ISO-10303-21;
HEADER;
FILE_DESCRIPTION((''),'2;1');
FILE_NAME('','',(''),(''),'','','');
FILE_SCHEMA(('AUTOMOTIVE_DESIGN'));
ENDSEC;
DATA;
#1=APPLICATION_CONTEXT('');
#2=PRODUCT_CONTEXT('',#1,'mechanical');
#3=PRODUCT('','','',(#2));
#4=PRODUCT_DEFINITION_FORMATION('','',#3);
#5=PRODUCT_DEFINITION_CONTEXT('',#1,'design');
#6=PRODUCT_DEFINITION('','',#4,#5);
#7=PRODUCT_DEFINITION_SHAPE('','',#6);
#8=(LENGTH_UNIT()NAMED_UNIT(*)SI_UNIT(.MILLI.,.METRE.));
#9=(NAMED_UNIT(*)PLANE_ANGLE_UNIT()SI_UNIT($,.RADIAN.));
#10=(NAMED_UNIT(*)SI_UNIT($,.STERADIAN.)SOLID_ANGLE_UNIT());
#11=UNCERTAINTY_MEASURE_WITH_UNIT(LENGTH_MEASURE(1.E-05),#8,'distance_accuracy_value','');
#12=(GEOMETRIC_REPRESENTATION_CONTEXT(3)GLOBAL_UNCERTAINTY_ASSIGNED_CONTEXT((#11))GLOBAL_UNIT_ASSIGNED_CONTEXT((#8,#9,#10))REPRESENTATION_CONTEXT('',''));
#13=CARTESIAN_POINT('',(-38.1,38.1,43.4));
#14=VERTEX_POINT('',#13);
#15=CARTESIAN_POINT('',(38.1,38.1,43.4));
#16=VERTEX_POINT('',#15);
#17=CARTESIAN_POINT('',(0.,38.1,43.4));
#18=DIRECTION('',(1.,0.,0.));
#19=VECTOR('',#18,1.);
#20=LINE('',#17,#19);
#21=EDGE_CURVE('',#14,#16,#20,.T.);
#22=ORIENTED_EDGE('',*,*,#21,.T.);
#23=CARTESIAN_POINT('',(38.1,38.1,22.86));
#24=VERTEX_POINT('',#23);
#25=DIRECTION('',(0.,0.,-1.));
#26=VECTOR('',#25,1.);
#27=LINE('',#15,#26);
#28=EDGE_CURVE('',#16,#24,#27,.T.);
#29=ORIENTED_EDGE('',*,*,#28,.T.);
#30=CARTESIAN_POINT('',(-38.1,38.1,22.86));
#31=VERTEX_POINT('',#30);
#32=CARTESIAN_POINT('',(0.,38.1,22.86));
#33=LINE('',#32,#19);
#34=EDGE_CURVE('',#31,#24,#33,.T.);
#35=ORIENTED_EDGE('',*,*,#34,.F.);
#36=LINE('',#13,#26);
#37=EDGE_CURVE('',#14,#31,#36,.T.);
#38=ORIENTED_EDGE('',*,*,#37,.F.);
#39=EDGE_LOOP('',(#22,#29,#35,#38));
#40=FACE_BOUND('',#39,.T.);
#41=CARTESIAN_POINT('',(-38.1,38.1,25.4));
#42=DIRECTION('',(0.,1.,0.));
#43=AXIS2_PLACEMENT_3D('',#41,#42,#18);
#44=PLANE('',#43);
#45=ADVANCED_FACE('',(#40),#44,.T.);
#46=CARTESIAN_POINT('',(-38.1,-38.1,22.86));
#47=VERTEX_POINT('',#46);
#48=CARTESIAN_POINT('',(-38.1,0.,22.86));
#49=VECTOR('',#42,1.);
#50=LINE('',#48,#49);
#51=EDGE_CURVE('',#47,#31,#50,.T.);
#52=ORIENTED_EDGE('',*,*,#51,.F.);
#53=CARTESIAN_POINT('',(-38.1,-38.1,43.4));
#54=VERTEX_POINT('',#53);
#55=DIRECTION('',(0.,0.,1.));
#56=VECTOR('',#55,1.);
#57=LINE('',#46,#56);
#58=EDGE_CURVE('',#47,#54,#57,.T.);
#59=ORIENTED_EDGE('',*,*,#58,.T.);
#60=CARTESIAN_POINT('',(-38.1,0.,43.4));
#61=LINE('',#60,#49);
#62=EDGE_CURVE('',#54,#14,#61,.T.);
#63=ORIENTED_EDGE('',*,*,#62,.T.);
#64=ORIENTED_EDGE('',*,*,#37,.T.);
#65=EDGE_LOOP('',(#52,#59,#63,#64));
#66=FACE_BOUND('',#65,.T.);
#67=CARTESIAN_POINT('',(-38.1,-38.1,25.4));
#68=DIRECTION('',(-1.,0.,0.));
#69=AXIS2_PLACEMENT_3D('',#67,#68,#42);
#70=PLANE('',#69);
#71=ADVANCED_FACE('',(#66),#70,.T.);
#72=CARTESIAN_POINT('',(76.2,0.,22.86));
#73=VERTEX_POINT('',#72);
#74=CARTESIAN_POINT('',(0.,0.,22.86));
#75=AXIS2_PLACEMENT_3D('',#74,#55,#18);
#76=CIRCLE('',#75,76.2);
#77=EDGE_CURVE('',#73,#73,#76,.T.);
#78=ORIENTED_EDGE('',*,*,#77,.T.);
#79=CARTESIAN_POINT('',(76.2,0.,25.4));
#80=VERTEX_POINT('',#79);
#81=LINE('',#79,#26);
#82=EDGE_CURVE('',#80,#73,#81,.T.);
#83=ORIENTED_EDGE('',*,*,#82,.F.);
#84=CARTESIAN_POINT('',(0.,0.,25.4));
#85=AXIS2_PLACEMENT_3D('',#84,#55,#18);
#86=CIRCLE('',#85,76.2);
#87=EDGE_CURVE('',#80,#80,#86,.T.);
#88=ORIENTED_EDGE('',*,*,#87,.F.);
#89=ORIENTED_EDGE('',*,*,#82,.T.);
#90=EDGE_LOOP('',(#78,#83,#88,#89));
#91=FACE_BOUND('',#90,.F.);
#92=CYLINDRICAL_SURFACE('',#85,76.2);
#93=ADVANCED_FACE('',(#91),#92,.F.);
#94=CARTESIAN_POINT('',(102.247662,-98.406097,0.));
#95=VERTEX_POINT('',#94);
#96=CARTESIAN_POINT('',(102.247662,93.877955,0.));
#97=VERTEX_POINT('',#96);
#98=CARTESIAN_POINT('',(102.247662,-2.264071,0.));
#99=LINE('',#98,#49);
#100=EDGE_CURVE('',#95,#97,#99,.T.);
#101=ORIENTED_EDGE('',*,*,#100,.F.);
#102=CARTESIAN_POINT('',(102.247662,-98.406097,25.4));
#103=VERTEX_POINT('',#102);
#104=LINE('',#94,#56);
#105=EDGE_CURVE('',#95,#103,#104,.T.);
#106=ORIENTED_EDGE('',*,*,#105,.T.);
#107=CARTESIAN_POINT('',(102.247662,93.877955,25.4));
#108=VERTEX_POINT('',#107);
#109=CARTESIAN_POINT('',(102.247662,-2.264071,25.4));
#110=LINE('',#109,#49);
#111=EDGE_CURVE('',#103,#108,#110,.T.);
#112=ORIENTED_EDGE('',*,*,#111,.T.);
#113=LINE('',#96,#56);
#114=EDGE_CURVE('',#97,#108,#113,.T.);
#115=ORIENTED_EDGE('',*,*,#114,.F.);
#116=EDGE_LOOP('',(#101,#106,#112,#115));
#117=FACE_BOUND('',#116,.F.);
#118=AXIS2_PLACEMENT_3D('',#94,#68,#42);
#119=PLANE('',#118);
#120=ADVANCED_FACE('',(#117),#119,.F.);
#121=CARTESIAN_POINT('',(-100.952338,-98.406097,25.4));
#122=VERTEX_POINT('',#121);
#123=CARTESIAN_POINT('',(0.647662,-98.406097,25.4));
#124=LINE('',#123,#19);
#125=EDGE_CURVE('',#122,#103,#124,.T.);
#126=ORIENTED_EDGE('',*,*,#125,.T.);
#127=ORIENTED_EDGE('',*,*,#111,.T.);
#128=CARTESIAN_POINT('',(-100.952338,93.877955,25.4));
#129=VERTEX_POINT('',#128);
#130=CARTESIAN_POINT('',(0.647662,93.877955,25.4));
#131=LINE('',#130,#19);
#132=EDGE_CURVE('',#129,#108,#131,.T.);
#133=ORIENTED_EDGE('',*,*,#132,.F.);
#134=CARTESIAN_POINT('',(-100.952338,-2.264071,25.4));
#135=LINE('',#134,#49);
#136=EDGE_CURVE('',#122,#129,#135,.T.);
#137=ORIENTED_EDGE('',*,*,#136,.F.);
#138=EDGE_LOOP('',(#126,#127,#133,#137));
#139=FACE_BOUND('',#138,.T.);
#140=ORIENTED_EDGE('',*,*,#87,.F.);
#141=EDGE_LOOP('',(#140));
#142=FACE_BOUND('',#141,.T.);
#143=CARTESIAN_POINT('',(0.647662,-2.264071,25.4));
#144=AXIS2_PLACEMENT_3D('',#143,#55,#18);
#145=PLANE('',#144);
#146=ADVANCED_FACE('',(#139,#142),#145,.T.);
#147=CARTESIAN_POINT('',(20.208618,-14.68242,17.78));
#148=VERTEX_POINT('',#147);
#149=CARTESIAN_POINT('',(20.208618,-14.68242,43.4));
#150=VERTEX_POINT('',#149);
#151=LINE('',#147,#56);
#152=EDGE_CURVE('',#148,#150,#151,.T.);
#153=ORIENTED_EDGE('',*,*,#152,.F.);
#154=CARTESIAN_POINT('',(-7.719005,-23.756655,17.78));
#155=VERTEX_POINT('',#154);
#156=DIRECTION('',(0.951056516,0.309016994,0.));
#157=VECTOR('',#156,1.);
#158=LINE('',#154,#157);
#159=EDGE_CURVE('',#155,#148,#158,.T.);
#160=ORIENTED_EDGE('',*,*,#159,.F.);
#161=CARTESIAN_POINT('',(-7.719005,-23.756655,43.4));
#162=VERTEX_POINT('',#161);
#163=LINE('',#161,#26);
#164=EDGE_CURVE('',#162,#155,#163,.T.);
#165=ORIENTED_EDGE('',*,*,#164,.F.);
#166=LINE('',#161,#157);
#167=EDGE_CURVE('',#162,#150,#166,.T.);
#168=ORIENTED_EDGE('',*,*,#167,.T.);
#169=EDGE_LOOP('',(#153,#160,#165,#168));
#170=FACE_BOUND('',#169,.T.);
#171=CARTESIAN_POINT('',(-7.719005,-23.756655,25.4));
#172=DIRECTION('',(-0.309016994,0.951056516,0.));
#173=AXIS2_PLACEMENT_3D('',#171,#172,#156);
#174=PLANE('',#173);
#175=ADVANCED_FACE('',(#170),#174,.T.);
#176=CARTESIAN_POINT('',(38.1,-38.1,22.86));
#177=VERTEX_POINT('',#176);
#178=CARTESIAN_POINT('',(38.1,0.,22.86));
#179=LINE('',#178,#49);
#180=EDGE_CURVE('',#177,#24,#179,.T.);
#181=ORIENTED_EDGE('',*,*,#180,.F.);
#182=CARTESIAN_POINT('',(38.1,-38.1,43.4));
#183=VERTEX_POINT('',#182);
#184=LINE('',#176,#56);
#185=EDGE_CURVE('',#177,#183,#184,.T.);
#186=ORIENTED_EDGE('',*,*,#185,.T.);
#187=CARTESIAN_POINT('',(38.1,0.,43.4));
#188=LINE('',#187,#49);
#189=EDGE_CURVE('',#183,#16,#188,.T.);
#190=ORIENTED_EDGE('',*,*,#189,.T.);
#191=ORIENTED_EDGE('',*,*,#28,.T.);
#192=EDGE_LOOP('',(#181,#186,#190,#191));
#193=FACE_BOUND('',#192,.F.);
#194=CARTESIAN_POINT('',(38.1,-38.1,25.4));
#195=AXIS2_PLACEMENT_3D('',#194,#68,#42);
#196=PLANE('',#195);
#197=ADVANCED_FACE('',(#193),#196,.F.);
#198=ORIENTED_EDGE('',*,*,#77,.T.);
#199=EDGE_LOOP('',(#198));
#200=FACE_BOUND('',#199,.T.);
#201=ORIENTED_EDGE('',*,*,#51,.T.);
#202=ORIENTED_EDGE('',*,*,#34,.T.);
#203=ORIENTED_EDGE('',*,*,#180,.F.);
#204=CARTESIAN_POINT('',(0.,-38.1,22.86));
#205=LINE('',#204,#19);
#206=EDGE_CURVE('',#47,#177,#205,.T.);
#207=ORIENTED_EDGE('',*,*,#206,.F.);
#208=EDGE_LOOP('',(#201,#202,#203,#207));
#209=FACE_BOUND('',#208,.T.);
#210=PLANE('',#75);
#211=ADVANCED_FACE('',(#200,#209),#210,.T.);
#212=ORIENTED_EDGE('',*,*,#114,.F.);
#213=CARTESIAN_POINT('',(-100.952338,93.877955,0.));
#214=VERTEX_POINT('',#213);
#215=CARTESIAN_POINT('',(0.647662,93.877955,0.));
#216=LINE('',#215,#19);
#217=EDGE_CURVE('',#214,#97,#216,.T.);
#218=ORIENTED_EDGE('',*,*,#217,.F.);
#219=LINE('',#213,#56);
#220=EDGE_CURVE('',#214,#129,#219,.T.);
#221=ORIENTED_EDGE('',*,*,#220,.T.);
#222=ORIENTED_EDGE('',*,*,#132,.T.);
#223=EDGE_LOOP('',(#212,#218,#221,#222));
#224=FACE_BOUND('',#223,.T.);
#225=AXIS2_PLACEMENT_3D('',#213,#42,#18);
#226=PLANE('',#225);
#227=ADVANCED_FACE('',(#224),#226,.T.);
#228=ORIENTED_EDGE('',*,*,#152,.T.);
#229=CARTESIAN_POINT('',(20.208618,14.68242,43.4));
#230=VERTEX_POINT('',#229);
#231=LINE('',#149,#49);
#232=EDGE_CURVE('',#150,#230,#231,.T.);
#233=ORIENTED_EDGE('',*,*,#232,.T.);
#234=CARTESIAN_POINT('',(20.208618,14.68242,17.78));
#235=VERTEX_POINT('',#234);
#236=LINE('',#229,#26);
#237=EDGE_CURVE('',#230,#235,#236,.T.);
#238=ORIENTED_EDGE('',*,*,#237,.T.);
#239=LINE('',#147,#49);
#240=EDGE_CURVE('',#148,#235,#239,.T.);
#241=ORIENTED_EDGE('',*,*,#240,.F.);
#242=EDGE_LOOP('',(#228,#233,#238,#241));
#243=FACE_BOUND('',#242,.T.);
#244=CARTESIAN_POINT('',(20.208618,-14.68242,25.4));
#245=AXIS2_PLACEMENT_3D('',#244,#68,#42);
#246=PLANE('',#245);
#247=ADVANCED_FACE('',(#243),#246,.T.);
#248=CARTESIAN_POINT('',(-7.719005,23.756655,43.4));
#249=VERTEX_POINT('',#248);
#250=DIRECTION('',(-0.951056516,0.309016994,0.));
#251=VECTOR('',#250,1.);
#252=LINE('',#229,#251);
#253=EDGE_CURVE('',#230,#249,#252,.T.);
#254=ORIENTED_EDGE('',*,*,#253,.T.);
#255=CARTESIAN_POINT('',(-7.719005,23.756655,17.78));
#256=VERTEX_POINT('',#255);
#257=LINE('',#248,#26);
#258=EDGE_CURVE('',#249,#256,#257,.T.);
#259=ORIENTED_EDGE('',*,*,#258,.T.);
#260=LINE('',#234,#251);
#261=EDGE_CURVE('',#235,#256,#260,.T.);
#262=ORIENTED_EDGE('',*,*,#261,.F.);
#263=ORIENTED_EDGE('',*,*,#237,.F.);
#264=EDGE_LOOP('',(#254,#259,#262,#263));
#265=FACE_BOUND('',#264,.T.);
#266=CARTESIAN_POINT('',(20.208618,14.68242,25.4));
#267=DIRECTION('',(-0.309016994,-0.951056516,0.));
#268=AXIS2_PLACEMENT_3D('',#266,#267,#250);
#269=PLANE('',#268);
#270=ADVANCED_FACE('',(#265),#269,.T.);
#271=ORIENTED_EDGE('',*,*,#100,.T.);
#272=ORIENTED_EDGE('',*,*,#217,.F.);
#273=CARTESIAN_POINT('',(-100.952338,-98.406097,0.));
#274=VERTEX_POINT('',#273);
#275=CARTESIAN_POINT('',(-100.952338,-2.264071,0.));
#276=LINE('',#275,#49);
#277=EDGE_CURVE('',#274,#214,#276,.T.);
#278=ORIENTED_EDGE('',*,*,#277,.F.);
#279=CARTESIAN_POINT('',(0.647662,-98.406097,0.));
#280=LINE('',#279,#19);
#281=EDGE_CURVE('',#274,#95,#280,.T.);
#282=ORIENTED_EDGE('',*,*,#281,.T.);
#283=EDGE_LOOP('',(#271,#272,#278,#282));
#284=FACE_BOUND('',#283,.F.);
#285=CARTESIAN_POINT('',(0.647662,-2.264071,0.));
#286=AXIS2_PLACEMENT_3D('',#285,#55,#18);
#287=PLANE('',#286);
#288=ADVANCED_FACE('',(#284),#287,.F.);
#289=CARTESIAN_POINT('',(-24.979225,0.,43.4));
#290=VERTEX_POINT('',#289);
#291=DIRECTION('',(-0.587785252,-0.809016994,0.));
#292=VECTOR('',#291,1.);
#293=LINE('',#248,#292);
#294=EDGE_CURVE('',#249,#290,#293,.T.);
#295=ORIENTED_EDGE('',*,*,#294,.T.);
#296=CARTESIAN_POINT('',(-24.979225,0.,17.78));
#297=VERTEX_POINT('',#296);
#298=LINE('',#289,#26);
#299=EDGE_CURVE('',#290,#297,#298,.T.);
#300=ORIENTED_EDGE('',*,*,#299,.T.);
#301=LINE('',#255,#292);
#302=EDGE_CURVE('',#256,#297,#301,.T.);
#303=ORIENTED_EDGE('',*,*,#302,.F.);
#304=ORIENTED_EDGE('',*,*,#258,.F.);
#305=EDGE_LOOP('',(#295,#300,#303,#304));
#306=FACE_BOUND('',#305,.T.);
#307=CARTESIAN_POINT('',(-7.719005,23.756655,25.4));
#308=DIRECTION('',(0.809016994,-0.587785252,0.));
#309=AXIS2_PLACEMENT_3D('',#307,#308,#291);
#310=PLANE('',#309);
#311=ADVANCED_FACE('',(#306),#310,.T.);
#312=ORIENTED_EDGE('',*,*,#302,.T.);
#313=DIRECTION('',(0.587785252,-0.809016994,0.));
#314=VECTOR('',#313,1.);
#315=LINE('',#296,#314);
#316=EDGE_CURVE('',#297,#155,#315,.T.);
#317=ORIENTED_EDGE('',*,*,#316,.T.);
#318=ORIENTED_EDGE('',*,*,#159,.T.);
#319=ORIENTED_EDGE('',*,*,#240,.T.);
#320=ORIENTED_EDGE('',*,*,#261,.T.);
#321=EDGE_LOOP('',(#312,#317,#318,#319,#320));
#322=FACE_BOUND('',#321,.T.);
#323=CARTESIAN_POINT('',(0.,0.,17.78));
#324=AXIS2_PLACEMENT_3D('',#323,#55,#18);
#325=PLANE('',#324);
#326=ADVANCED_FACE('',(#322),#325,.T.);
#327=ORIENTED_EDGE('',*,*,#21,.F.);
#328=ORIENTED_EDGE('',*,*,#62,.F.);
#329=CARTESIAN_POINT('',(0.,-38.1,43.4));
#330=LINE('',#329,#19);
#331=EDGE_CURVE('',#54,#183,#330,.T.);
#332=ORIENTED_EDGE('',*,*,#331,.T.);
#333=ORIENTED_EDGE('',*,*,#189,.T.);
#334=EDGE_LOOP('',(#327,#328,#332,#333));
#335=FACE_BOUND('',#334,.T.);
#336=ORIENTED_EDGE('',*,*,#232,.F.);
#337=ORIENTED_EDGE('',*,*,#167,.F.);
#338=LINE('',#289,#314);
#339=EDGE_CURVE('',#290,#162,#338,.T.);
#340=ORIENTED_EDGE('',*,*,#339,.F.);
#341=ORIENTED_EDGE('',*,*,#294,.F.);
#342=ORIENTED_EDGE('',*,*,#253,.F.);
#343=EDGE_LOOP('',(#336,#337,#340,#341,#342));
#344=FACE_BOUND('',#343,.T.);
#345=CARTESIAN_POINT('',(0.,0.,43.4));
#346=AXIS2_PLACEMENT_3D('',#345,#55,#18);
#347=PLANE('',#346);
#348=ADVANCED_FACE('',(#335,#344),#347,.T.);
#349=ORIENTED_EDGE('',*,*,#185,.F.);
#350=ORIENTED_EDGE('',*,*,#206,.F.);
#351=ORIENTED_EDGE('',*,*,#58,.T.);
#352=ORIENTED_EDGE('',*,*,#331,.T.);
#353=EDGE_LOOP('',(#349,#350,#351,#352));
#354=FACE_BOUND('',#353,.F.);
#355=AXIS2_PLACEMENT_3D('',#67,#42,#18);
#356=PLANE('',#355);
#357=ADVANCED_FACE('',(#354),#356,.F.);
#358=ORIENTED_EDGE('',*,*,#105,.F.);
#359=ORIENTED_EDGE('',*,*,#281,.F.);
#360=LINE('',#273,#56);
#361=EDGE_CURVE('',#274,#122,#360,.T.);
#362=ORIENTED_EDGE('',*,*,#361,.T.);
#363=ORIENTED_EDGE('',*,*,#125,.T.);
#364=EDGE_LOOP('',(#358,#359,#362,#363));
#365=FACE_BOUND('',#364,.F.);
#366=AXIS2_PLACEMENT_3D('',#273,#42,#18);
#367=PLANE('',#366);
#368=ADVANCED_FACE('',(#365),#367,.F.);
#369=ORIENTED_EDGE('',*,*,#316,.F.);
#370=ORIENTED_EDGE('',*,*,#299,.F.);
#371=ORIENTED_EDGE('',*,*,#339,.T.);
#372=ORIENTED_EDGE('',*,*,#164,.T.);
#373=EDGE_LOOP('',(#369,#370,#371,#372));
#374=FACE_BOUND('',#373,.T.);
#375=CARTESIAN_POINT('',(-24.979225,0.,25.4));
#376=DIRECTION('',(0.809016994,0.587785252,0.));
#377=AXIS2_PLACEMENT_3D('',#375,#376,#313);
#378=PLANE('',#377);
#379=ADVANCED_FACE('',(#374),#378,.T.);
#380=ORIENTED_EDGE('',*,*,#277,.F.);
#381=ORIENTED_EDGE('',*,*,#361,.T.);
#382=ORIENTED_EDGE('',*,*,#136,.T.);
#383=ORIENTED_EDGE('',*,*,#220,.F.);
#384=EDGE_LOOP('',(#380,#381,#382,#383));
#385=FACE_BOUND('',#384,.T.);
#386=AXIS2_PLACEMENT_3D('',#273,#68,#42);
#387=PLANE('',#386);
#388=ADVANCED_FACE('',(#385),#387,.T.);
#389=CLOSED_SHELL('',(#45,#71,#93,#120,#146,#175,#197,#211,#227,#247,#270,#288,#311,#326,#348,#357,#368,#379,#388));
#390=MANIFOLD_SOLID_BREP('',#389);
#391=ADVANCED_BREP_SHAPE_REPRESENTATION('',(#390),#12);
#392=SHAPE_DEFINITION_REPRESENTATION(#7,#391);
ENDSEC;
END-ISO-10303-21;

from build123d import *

# Parameters (mm, degrees)
F0_W     = 203.2
F0_H     = 192.284051628
F1_DEPTH = 25.4
F2_R     = 76.2
F3_DEPTH = 2.54
F4_W     = 76.2
F4_H     = 76.2
F5_DEPTH = 2.54
F7_DEPTH = 7.62
F8_DEPTH = 18


with BuildPart() as f1:
    # F0 (on Top) → F1 (new body)
    with BuildSketch(Plane.XY):
        with Locations((0.6476622075, -2.2640712559)):
            Rectangle(F0_W, F0_H)
    extrude(amount=F1_DEPTH)

    # F2 (on face) → F3 (cut)
    with BuildSketch(Plane.XY.offset(25.4)):
        Circle(F2_R)
    extrude(amount=-F3_DEPTH, mode=Mode.SUBTRACT)

    # F4 (on face) → F5 (join)
    with BuildSketch(Plane.XY.offset(22.86)):
        Rectangle(F4_W, F4_H)
    extrude(amount=F5_DEPTH)

    # F6 (on face) → F7 (cut)
    with BuildSketch(Plane.XY.offset(25.4)):
        Polygon((20.2086176723, -14.6824201711), (20.2086176723, 14.6824201711), (-7.7190050852, 23.756654874), (-24.9792251743, 0), (-7.7190050852, -23.756654874), align=None)
    extrude(amount=-F7_DEPTH, mode=Mode.SUBTRACT)

    # F8 (add): a face of the model
    f8_faces = [f1.faces().sort_by_distance(p)[0] for p in [
        (0, 37.0223692655, 25.4),
    ]]
    extrude(f8_faces, amount=F8_DEPTH)


solid = f1.part
